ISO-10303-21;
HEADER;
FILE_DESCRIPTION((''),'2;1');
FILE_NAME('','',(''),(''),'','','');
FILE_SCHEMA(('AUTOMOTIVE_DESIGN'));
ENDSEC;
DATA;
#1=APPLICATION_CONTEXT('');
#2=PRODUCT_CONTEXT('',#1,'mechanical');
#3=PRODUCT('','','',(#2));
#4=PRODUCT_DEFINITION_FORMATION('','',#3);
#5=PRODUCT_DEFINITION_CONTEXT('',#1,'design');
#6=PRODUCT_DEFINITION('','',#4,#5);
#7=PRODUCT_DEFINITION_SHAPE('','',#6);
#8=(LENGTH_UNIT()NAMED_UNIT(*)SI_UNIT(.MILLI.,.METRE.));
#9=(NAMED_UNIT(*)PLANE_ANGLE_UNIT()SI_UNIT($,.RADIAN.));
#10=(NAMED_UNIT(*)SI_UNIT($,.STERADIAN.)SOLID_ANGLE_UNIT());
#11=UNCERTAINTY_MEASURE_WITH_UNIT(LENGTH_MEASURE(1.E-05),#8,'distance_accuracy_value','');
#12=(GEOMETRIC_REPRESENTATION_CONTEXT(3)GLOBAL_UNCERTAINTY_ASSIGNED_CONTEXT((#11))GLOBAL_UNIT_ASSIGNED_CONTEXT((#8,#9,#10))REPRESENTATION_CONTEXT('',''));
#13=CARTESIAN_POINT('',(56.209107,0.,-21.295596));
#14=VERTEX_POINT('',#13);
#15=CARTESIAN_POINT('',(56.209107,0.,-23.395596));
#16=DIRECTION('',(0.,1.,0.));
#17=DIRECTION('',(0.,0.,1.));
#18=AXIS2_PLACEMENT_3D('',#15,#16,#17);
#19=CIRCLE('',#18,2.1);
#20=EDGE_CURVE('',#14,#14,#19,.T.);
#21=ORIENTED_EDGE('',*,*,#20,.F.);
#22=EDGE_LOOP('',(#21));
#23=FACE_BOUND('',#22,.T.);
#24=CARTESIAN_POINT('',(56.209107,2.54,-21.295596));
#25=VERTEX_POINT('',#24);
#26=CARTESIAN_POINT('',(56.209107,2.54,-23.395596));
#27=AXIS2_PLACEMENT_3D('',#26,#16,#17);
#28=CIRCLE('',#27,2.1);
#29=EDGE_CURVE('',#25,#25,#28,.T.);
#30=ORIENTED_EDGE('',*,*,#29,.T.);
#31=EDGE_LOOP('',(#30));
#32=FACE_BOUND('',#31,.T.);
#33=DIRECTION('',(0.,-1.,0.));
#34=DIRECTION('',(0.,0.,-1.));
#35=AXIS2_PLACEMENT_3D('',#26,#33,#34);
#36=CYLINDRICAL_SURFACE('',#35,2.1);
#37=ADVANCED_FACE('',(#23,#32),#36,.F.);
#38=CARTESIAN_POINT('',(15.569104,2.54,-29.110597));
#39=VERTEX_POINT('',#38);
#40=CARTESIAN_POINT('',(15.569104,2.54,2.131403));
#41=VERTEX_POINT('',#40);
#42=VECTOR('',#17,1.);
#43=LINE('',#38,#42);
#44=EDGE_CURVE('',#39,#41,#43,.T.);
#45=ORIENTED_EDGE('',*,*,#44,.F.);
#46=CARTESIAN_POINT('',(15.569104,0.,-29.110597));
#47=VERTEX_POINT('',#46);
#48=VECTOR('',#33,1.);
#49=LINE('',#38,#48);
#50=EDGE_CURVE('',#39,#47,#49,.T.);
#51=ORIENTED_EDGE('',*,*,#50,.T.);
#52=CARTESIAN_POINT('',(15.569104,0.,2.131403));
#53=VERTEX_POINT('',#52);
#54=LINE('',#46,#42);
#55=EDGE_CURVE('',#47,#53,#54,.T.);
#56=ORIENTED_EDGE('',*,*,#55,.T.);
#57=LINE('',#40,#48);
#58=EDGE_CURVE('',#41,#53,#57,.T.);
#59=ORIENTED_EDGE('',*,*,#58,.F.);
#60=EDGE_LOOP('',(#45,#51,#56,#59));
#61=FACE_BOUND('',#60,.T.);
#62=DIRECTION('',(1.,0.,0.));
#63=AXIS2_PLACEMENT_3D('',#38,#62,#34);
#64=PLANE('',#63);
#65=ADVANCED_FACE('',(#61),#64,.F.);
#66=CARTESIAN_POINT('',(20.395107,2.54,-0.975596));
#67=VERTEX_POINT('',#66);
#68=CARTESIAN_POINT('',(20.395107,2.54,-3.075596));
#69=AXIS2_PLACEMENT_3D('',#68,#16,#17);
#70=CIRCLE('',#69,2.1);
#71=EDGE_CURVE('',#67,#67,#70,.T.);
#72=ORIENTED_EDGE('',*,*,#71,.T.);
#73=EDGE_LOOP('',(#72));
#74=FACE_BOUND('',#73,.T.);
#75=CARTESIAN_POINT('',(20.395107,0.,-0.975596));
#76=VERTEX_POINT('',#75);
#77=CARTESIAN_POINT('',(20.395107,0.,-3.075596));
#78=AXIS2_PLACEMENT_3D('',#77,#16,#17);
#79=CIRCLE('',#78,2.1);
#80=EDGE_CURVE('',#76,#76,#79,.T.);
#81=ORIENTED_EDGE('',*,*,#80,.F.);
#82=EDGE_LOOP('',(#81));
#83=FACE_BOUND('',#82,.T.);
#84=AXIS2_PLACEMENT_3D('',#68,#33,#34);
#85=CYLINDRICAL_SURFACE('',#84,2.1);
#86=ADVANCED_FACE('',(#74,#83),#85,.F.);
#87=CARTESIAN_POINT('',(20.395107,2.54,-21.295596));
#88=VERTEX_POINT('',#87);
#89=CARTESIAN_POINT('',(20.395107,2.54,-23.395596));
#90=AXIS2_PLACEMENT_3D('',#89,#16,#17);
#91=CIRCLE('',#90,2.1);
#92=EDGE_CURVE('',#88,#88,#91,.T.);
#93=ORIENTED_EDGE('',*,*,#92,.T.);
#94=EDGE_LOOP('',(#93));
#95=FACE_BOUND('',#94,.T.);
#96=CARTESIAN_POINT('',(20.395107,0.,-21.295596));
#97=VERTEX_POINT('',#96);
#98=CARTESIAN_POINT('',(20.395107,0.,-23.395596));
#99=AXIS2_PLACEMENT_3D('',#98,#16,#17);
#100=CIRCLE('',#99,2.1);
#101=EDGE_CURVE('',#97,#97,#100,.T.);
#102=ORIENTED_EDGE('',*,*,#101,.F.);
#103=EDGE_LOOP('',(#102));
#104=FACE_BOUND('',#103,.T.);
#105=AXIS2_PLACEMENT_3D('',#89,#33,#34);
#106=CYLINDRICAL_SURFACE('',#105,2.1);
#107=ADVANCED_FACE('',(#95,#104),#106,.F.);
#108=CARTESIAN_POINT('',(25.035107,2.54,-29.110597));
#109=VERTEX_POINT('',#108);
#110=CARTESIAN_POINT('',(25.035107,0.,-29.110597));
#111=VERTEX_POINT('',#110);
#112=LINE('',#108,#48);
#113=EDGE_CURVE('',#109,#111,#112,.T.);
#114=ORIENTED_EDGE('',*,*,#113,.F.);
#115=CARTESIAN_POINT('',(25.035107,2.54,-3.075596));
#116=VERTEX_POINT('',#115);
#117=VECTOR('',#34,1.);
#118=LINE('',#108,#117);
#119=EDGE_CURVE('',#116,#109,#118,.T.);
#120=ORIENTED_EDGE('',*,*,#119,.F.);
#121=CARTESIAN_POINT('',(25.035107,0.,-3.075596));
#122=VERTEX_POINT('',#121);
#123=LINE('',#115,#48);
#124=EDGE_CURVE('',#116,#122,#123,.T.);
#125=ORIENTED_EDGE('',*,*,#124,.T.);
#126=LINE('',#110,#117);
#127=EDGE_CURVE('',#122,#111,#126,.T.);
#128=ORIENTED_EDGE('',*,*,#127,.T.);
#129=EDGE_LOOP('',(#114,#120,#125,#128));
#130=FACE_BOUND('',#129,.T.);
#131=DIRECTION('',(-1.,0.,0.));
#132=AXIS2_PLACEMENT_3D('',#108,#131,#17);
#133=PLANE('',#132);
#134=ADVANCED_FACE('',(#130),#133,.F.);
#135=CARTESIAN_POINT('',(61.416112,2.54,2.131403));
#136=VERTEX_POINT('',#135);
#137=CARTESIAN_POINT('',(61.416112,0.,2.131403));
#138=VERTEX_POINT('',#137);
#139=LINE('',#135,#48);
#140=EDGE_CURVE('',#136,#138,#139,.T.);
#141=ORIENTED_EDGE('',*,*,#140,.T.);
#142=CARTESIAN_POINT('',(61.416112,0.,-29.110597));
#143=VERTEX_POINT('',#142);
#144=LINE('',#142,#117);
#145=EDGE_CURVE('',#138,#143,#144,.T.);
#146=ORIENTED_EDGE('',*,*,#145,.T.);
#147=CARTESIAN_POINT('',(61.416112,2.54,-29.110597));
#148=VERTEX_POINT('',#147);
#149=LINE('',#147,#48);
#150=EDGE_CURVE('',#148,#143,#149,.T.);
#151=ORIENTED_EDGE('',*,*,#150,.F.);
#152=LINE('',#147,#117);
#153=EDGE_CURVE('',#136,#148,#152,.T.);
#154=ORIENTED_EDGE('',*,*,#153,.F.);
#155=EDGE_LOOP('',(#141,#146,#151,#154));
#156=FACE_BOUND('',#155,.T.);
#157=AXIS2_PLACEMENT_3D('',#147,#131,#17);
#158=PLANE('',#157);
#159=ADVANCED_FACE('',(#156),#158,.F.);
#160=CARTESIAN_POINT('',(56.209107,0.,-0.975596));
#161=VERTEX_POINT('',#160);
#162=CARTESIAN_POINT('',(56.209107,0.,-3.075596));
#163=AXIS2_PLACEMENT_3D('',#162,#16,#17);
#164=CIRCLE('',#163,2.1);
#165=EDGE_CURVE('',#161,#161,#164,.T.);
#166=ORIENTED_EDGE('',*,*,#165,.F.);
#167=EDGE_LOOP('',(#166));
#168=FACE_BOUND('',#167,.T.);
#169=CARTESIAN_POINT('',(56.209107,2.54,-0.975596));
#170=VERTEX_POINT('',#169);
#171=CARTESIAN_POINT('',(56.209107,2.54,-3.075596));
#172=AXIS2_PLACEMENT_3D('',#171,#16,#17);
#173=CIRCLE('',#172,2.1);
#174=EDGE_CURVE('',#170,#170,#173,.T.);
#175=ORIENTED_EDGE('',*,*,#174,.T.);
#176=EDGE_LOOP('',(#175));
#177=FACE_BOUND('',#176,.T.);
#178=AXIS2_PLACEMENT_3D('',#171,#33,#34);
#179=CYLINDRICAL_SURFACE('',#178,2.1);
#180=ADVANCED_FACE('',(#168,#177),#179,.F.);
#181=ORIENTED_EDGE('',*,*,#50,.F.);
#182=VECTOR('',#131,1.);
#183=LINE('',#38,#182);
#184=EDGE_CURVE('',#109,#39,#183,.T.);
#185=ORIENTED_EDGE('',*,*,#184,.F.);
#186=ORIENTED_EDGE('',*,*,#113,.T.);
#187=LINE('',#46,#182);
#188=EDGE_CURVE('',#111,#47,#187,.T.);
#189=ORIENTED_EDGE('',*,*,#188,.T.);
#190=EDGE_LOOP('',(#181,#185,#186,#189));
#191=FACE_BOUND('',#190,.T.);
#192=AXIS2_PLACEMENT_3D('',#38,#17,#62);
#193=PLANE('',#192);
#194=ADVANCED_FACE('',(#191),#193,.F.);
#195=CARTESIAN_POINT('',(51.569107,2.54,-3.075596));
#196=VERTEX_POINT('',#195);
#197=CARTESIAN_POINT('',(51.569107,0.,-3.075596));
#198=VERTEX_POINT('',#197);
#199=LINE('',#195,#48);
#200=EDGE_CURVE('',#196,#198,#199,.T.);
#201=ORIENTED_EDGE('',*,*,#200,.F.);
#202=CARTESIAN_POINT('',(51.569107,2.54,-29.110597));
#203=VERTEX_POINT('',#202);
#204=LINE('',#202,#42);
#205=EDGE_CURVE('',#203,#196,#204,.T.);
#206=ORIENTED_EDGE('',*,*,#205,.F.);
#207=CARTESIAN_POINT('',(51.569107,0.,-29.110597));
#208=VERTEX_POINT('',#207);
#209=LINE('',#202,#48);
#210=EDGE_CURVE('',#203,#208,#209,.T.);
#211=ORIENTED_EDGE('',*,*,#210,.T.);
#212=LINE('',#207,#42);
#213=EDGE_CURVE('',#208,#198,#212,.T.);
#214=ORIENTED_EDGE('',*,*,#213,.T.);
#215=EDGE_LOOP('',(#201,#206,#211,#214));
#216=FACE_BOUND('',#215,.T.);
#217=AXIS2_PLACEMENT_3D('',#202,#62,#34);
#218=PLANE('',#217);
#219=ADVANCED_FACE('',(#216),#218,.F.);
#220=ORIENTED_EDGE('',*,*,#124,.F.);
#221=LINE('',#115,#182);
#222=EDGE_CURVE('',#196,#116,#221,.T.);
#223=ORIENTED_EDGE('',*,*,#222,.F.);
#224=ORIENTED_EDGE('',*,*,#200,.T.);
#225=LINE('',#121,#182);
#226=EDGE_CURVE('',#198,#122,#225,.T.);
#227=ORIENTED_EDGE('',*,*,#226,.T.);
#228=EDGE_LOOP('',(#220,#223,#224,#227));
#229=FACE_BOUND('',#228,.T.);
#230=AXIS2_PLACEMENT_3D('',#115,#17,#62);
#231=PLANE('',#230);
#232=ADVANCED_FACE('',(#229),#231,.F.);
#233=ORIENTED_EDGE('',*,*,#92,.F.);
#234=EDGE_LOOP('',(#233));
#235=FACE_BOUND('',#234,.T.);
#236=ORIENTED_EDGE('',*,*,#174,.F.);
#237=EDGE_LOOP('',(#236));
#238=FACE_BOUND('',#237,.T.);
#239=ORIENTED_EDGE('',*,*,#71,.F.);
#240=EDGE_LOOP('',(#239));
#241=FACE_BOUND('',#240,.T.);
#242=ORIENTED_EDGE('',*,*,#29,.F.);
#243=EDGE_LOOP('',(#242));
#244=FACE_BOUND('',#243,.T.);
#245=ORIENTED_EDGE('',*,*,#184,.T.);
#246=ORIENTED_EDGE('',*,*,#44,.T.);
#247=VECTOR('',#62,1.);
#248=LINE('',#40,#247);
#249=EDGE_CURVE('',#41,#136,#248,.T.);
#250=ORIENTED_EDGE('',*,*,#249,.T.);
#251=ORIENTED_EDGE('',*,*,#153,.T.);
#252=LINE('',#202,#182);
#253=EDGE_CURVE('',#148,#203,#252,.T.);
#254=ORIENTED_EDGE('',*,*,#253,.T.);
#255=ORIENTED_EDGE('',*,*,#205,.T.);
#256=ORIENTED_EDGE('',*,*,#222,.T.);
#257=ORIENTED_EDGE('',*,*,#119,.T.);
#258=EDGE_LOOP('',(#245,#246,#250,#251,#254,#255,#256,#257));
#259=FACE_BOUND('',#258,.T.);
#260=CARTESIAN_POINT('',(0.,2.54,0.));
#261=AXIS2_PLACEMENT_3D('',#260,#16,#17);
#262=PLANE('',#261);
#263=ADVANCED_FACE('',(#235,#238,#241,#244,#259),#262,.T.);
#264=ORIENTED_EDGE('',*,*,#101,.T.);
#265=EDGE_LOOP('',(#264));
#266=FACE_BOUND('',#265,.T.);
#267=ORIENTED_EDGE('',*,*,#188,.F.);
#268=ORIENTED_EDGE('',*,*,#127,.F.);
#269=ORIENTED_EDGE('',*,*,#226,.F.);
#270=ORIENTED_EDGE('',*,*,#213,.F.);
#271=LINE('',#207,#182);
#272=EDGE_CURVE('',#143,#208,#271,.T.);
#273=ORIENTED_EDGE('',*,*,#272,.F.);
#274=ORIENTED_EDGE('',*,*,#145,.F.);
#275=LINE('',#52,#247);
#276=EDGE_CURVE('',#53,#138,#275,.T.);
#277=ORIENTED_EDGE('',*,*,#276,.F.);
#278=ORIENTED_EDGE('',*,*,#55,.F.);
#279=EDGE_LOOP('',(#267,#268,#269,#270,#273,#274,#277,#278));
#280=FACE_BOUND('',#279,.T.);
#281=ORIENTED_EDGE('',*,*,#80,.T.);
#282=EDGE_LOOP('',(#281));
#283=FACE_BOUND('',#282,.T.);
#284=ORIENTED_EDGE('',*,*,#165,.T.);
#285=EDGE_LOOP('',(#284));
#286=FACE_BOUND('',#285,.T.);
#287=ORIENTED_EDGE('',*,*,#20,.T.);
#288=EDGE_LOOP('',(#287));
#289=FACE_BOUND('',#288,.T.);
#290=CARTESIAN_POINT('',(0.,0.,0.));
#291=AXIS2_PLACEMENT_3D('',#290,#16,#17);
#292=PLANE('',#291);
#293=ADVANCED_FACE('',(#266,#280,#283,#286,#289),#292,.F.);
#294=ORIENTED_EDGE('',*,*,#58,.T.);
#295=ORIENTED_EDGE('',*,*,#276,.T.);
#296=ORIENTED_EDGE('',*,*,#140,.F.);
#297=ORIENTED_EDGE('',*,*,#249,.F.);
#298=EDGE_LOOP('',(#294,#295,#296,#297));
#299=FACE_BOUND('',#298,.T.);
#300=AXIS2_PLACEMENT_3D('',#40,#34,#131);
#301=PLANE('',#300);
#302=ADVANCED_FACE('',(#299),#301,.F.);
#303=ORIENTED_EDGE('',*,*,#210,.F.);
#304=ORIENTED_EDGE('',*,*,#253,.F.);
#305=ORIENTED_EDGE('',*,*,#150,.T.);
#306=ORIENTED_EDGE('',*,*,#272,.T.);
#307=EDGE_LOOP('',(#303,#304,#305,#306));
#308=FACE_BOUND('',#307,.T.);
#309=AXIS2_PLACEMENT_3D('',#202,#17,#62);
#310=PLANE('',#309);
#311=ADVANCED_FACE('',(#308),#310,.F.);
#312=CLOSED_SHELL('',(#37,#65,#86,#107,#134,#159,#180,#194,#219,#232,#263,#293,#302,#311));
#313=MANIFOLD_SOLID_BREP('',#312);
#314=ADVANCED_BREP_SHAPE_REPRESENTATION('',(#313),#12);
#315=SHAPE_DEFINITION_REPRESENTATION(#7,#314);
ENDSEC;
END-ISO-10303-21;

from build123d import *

# Parameters (mm, degrees)
SKETCH1_R           = 2.1
BOSS_EXTRUDE1_DEPTH = 2.54


with BuildPart() as part:
    # Sketch1 → Boss-Extrude1 (new body)
    with BuildSketch(Plane(origin=(0, 0, 0), x_dir=(1, 0, 0), z_dir=(0, 1, 0))):
        Polygon((15.569104138, 29.110597295), (25.03510725, 29.110597295), (25.03510725, 3.075596379), (51.56910725, 3.075596379), (51.56910725, 29.110597295), (61.416111889, 29.110597295), (61.416111889, -2.131403285), (15.569104138, -2.131403285), align=None)
        with Locations(Location((20.39510725, 23.395596379, 0), (0, 0, 270))):
            Circle(SKETCH1_R, mode=Mode.SUBTRACT)
        with Locations(Location((20.39510725, 3.075596379, 0), (0, 0, 270))):
            Circle(SKETCH1_R, mode=Mode.SUBTRACT)
        with Locations(Location((56.20910725, 23.395596379, 0), (0, 0, 270))):
            Circle(SKETCH1_R, mode=Mode.SUBTRACT)
        with Locations(Location((56.20910725, 3.075596379, 0), (0, 0, 270))):
            Circle(SKETCH1_R, mode=Mode.SUBTRACT)
    extrude(amount=BOSS_EXTRUDE1_DEPTH)


solid = part.part
